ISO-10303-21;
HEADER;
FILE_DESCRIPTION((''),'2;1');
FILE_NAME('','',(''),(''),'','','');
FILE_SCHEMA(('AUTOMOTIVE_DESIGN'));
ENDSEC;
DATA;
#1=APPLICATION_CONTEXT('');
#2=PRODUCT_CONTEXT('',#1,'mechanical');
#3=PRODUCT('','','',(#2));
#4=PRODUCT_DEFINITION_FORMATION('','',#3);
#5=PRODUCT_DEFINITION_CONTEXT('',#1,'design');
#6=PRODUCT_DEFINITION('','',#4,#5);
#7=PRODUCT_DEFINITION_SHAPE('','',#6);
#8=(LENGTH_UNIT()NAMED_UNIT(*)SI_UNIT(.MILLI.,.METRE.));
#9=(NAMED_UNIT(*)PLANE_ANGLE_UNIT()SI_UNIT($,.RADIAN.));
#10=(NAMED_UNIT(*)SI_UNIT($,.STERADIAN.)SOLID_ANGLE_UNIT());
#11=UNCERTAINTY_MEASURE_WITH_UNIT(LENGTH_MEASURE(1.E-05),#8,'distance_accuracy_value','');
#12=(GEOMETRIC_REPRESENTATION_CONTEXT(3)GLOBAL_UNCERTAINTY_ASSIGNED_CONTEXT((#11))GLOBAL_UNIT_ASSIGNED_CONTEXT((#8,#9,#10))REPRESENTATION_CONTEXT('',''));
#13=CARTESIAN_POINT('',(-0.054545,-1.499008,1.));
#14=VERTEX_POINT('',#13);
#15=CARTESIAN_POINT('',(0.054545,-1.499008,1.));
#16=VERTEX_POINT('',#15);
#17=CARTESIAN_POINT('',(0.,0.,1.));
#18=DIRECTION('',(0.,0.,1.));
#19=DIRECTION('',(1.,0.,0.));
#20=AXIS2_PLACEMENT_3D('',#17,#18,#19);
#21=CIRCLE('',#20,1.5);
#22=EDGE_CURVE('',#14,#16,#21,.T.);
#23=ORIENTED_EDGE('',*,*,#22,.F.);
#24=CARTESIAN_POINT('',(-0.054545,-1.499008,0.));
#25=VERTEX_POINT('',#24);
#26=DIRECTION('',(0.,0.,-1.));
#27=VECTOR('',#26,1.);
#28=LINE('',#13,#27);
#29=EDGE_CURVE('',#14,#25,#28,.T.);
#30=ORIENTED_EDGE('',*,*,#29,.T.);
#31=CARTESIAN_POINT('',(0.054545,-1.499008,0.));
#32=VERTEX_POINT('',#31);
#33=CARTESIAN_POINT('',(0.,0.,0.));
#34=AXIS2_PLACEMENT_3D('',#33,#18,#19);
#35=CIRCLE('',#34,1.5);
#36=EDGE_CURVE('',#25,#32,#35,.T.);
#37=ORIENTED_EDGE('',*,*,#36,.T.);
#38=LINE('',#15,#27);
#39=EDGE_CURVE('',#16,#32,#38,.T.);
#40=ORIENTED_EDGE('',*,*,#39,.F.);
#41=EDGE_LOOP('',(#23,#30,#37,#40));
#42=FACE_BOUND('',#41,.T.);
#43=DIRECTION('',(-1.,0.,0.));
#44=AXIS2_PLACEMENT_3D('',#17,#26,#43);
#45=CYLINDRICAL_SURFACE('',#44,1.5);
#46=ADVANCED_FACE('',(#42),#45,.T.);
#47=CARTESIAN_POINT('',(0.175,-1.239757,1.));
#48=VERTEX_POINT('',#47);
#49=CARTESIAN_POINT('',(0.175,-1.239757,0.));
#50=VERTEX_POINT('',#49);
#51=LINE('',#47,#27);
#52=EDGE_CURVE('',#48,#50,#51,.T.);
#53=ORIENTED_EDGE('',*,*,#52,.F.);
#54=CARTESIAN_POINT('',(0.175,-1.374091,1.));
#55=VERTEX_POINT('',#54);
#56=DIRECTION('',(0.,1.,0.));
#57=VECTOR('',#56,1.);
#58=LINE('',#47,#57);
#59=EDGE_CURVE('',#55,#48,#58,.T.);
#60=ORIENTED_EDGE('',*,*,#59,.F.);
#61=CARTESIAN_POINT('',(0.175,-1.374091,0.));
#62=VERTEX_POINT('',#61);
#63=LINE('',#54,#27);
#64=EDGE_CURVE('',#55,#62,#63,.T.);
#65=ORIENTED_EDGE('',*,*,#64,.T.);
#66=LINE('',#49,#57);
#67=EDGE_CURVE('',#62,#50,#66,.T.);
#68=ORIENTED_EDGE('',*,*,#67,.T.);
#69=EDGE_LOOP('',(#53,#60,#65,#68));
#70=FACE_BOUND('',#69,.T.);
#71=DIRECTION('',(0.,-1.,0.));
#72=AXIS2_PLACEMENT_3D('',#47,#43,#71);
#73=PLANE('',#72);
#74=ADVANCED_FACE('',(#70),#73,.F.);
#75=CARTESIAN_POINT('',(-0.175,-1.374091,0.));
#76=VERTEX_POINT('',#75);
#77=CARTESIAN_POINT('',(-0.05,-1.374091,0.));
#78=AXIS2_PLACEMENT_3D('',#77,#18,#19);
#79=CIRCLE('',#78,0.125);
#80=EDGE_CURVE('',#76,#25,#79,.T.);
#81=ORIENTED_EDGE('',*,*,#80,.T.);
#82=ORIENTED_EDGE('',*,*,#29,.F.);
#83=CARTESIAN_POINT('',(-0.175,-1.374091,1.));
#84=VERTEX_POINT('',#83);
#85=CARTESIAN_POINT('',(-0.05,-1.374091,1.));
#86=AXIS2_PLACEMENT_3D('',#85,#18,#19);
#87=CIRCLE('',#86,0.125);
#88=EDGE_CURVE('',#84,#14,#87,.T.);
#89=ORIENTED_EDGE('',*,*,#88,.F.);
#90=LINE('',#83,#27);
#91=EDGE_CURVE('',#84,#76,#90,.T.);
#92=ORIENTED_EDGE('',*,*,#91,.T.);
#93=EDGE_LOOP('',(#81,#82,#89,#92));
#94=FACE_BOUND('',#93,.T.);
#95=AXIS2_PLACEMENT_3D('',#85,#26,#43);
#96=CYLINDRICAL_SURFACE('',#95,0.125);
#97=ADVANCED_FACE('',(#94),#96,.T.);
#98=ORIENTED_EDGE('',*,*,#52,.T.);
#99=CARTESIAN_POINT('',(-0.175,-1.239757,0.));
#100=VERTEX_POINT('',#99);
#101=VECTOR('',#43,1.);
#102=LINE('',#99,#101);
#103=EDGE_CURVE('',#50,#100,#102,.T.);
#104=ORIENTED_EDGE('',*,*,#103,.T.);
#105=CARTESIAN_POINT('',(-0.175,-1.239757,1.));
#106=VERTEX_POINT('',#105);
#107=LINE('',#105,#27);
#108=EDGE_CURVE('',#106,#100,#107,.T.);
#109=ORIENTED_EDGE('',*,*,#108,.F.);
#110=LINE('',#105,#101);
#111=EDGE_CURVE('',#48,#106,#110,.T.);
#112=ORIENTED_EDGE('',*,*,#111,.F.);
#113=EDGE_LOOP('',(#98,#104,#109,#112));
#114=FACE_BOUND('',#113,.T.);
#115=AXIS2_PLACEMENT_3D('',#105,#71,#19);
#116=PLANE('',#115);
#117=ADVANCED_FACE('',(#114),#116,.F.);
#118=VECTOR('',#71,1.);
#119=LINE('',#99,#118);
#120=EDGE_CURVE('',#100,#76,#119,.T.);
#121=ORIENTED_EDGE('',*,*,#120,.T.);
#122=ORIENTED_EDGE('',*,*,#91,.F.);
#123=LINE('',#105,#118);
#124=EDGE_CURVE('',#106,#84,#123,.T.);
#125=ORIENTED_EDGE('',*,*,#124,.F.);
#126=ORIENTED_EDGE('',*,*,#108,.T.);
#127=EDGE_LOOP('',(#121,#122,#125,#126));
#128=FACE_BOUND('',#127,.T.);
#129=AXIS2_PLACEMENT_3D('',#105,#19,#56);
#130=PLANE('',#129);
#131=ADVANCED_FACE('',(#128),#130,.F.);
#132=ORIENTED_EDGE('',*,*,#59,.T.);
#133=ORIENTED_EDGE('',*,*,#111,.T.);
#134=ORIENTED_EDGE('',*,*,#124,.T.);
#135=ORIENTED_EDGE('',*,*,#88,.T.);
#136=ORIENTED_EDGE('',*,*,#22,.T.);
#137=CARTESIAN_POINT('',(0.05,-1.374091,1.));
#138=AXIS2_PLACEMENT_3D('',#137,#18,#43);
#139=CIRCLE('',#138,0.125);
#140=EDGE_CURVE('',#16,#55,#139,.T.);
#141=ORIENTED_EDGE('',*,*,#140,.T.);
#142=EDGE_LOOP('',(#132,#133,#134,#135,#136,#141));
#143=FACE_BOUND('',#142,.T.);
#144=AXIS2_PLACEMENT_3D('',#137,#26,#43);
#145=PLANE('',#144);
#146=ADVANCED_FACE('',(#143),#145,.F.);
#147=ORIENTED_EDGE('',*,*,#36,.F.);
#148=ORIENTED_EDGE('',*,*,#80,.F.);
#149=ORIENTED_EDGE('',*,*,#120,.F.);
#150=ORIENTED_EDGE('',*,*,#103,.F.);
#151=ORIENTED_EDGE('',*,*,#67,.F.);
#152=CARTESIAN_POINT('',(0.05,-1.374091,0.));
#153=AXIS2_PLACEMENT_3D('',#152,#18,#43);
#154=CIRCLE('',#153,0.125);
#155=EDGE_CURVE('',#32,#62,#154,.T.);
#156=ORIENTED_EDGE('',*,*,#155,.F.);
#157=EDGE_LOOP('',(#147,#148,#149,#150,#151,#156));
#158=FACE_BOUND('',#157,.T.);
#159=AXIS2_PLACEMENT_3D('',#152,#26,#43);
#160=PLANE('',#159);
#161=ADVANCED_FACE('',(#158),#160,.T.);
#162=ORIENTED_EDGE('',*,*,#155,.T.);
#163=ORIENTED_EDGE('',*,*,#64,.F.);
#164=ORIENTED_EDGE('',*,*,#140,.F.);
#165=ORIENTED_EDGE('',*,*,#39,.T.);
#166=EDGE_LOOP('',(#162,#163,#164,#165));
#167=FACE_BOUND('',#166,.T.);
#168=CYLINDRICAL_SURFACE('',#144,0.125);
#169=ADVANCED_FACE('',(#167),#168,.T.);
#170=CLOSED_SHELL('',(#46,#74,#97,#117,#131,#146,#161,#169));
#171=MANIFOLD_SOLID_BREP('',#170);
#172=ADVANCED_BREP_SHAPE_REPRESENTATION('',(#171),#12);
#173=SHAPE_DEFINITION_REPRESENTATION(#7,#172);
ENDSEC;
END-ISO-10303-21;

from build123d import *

# Parameters (mm, degrees)
SALIENTE_EXTRUIR1_DEPTH = 1


with BuildPart() as part:
    # Croquis1 → Saliente-Extruir1 (new body)
    with BuildSketch(Plane.XY):
        with BuildLine():
            Line((-0.175, -1.239756692), (0.175, -1.239756692))
            Line((0.175, -1.239756692), (0.175, -1.374090608))
            ThreePointArc((0.175, -1.374090608), (0.139981059, -1.460857014), (0.054545455, -1.499007936))
            ThreePointArc((0.054545455, -1.499007936), (0, -1.5), (-0.054545455, -1.499007936))
            ThreePointArc((-0.054545455, -1.499007936), (-0.139981059, -1.460857014), (-0.175, -1.374090608))
            Line((-0.175, -1.374090608), (-0.175, -1.239756692))
        make_face()
    extrude(amount=SALIENTE_EXTRUIR1_DEPTH)


solid = part.part
